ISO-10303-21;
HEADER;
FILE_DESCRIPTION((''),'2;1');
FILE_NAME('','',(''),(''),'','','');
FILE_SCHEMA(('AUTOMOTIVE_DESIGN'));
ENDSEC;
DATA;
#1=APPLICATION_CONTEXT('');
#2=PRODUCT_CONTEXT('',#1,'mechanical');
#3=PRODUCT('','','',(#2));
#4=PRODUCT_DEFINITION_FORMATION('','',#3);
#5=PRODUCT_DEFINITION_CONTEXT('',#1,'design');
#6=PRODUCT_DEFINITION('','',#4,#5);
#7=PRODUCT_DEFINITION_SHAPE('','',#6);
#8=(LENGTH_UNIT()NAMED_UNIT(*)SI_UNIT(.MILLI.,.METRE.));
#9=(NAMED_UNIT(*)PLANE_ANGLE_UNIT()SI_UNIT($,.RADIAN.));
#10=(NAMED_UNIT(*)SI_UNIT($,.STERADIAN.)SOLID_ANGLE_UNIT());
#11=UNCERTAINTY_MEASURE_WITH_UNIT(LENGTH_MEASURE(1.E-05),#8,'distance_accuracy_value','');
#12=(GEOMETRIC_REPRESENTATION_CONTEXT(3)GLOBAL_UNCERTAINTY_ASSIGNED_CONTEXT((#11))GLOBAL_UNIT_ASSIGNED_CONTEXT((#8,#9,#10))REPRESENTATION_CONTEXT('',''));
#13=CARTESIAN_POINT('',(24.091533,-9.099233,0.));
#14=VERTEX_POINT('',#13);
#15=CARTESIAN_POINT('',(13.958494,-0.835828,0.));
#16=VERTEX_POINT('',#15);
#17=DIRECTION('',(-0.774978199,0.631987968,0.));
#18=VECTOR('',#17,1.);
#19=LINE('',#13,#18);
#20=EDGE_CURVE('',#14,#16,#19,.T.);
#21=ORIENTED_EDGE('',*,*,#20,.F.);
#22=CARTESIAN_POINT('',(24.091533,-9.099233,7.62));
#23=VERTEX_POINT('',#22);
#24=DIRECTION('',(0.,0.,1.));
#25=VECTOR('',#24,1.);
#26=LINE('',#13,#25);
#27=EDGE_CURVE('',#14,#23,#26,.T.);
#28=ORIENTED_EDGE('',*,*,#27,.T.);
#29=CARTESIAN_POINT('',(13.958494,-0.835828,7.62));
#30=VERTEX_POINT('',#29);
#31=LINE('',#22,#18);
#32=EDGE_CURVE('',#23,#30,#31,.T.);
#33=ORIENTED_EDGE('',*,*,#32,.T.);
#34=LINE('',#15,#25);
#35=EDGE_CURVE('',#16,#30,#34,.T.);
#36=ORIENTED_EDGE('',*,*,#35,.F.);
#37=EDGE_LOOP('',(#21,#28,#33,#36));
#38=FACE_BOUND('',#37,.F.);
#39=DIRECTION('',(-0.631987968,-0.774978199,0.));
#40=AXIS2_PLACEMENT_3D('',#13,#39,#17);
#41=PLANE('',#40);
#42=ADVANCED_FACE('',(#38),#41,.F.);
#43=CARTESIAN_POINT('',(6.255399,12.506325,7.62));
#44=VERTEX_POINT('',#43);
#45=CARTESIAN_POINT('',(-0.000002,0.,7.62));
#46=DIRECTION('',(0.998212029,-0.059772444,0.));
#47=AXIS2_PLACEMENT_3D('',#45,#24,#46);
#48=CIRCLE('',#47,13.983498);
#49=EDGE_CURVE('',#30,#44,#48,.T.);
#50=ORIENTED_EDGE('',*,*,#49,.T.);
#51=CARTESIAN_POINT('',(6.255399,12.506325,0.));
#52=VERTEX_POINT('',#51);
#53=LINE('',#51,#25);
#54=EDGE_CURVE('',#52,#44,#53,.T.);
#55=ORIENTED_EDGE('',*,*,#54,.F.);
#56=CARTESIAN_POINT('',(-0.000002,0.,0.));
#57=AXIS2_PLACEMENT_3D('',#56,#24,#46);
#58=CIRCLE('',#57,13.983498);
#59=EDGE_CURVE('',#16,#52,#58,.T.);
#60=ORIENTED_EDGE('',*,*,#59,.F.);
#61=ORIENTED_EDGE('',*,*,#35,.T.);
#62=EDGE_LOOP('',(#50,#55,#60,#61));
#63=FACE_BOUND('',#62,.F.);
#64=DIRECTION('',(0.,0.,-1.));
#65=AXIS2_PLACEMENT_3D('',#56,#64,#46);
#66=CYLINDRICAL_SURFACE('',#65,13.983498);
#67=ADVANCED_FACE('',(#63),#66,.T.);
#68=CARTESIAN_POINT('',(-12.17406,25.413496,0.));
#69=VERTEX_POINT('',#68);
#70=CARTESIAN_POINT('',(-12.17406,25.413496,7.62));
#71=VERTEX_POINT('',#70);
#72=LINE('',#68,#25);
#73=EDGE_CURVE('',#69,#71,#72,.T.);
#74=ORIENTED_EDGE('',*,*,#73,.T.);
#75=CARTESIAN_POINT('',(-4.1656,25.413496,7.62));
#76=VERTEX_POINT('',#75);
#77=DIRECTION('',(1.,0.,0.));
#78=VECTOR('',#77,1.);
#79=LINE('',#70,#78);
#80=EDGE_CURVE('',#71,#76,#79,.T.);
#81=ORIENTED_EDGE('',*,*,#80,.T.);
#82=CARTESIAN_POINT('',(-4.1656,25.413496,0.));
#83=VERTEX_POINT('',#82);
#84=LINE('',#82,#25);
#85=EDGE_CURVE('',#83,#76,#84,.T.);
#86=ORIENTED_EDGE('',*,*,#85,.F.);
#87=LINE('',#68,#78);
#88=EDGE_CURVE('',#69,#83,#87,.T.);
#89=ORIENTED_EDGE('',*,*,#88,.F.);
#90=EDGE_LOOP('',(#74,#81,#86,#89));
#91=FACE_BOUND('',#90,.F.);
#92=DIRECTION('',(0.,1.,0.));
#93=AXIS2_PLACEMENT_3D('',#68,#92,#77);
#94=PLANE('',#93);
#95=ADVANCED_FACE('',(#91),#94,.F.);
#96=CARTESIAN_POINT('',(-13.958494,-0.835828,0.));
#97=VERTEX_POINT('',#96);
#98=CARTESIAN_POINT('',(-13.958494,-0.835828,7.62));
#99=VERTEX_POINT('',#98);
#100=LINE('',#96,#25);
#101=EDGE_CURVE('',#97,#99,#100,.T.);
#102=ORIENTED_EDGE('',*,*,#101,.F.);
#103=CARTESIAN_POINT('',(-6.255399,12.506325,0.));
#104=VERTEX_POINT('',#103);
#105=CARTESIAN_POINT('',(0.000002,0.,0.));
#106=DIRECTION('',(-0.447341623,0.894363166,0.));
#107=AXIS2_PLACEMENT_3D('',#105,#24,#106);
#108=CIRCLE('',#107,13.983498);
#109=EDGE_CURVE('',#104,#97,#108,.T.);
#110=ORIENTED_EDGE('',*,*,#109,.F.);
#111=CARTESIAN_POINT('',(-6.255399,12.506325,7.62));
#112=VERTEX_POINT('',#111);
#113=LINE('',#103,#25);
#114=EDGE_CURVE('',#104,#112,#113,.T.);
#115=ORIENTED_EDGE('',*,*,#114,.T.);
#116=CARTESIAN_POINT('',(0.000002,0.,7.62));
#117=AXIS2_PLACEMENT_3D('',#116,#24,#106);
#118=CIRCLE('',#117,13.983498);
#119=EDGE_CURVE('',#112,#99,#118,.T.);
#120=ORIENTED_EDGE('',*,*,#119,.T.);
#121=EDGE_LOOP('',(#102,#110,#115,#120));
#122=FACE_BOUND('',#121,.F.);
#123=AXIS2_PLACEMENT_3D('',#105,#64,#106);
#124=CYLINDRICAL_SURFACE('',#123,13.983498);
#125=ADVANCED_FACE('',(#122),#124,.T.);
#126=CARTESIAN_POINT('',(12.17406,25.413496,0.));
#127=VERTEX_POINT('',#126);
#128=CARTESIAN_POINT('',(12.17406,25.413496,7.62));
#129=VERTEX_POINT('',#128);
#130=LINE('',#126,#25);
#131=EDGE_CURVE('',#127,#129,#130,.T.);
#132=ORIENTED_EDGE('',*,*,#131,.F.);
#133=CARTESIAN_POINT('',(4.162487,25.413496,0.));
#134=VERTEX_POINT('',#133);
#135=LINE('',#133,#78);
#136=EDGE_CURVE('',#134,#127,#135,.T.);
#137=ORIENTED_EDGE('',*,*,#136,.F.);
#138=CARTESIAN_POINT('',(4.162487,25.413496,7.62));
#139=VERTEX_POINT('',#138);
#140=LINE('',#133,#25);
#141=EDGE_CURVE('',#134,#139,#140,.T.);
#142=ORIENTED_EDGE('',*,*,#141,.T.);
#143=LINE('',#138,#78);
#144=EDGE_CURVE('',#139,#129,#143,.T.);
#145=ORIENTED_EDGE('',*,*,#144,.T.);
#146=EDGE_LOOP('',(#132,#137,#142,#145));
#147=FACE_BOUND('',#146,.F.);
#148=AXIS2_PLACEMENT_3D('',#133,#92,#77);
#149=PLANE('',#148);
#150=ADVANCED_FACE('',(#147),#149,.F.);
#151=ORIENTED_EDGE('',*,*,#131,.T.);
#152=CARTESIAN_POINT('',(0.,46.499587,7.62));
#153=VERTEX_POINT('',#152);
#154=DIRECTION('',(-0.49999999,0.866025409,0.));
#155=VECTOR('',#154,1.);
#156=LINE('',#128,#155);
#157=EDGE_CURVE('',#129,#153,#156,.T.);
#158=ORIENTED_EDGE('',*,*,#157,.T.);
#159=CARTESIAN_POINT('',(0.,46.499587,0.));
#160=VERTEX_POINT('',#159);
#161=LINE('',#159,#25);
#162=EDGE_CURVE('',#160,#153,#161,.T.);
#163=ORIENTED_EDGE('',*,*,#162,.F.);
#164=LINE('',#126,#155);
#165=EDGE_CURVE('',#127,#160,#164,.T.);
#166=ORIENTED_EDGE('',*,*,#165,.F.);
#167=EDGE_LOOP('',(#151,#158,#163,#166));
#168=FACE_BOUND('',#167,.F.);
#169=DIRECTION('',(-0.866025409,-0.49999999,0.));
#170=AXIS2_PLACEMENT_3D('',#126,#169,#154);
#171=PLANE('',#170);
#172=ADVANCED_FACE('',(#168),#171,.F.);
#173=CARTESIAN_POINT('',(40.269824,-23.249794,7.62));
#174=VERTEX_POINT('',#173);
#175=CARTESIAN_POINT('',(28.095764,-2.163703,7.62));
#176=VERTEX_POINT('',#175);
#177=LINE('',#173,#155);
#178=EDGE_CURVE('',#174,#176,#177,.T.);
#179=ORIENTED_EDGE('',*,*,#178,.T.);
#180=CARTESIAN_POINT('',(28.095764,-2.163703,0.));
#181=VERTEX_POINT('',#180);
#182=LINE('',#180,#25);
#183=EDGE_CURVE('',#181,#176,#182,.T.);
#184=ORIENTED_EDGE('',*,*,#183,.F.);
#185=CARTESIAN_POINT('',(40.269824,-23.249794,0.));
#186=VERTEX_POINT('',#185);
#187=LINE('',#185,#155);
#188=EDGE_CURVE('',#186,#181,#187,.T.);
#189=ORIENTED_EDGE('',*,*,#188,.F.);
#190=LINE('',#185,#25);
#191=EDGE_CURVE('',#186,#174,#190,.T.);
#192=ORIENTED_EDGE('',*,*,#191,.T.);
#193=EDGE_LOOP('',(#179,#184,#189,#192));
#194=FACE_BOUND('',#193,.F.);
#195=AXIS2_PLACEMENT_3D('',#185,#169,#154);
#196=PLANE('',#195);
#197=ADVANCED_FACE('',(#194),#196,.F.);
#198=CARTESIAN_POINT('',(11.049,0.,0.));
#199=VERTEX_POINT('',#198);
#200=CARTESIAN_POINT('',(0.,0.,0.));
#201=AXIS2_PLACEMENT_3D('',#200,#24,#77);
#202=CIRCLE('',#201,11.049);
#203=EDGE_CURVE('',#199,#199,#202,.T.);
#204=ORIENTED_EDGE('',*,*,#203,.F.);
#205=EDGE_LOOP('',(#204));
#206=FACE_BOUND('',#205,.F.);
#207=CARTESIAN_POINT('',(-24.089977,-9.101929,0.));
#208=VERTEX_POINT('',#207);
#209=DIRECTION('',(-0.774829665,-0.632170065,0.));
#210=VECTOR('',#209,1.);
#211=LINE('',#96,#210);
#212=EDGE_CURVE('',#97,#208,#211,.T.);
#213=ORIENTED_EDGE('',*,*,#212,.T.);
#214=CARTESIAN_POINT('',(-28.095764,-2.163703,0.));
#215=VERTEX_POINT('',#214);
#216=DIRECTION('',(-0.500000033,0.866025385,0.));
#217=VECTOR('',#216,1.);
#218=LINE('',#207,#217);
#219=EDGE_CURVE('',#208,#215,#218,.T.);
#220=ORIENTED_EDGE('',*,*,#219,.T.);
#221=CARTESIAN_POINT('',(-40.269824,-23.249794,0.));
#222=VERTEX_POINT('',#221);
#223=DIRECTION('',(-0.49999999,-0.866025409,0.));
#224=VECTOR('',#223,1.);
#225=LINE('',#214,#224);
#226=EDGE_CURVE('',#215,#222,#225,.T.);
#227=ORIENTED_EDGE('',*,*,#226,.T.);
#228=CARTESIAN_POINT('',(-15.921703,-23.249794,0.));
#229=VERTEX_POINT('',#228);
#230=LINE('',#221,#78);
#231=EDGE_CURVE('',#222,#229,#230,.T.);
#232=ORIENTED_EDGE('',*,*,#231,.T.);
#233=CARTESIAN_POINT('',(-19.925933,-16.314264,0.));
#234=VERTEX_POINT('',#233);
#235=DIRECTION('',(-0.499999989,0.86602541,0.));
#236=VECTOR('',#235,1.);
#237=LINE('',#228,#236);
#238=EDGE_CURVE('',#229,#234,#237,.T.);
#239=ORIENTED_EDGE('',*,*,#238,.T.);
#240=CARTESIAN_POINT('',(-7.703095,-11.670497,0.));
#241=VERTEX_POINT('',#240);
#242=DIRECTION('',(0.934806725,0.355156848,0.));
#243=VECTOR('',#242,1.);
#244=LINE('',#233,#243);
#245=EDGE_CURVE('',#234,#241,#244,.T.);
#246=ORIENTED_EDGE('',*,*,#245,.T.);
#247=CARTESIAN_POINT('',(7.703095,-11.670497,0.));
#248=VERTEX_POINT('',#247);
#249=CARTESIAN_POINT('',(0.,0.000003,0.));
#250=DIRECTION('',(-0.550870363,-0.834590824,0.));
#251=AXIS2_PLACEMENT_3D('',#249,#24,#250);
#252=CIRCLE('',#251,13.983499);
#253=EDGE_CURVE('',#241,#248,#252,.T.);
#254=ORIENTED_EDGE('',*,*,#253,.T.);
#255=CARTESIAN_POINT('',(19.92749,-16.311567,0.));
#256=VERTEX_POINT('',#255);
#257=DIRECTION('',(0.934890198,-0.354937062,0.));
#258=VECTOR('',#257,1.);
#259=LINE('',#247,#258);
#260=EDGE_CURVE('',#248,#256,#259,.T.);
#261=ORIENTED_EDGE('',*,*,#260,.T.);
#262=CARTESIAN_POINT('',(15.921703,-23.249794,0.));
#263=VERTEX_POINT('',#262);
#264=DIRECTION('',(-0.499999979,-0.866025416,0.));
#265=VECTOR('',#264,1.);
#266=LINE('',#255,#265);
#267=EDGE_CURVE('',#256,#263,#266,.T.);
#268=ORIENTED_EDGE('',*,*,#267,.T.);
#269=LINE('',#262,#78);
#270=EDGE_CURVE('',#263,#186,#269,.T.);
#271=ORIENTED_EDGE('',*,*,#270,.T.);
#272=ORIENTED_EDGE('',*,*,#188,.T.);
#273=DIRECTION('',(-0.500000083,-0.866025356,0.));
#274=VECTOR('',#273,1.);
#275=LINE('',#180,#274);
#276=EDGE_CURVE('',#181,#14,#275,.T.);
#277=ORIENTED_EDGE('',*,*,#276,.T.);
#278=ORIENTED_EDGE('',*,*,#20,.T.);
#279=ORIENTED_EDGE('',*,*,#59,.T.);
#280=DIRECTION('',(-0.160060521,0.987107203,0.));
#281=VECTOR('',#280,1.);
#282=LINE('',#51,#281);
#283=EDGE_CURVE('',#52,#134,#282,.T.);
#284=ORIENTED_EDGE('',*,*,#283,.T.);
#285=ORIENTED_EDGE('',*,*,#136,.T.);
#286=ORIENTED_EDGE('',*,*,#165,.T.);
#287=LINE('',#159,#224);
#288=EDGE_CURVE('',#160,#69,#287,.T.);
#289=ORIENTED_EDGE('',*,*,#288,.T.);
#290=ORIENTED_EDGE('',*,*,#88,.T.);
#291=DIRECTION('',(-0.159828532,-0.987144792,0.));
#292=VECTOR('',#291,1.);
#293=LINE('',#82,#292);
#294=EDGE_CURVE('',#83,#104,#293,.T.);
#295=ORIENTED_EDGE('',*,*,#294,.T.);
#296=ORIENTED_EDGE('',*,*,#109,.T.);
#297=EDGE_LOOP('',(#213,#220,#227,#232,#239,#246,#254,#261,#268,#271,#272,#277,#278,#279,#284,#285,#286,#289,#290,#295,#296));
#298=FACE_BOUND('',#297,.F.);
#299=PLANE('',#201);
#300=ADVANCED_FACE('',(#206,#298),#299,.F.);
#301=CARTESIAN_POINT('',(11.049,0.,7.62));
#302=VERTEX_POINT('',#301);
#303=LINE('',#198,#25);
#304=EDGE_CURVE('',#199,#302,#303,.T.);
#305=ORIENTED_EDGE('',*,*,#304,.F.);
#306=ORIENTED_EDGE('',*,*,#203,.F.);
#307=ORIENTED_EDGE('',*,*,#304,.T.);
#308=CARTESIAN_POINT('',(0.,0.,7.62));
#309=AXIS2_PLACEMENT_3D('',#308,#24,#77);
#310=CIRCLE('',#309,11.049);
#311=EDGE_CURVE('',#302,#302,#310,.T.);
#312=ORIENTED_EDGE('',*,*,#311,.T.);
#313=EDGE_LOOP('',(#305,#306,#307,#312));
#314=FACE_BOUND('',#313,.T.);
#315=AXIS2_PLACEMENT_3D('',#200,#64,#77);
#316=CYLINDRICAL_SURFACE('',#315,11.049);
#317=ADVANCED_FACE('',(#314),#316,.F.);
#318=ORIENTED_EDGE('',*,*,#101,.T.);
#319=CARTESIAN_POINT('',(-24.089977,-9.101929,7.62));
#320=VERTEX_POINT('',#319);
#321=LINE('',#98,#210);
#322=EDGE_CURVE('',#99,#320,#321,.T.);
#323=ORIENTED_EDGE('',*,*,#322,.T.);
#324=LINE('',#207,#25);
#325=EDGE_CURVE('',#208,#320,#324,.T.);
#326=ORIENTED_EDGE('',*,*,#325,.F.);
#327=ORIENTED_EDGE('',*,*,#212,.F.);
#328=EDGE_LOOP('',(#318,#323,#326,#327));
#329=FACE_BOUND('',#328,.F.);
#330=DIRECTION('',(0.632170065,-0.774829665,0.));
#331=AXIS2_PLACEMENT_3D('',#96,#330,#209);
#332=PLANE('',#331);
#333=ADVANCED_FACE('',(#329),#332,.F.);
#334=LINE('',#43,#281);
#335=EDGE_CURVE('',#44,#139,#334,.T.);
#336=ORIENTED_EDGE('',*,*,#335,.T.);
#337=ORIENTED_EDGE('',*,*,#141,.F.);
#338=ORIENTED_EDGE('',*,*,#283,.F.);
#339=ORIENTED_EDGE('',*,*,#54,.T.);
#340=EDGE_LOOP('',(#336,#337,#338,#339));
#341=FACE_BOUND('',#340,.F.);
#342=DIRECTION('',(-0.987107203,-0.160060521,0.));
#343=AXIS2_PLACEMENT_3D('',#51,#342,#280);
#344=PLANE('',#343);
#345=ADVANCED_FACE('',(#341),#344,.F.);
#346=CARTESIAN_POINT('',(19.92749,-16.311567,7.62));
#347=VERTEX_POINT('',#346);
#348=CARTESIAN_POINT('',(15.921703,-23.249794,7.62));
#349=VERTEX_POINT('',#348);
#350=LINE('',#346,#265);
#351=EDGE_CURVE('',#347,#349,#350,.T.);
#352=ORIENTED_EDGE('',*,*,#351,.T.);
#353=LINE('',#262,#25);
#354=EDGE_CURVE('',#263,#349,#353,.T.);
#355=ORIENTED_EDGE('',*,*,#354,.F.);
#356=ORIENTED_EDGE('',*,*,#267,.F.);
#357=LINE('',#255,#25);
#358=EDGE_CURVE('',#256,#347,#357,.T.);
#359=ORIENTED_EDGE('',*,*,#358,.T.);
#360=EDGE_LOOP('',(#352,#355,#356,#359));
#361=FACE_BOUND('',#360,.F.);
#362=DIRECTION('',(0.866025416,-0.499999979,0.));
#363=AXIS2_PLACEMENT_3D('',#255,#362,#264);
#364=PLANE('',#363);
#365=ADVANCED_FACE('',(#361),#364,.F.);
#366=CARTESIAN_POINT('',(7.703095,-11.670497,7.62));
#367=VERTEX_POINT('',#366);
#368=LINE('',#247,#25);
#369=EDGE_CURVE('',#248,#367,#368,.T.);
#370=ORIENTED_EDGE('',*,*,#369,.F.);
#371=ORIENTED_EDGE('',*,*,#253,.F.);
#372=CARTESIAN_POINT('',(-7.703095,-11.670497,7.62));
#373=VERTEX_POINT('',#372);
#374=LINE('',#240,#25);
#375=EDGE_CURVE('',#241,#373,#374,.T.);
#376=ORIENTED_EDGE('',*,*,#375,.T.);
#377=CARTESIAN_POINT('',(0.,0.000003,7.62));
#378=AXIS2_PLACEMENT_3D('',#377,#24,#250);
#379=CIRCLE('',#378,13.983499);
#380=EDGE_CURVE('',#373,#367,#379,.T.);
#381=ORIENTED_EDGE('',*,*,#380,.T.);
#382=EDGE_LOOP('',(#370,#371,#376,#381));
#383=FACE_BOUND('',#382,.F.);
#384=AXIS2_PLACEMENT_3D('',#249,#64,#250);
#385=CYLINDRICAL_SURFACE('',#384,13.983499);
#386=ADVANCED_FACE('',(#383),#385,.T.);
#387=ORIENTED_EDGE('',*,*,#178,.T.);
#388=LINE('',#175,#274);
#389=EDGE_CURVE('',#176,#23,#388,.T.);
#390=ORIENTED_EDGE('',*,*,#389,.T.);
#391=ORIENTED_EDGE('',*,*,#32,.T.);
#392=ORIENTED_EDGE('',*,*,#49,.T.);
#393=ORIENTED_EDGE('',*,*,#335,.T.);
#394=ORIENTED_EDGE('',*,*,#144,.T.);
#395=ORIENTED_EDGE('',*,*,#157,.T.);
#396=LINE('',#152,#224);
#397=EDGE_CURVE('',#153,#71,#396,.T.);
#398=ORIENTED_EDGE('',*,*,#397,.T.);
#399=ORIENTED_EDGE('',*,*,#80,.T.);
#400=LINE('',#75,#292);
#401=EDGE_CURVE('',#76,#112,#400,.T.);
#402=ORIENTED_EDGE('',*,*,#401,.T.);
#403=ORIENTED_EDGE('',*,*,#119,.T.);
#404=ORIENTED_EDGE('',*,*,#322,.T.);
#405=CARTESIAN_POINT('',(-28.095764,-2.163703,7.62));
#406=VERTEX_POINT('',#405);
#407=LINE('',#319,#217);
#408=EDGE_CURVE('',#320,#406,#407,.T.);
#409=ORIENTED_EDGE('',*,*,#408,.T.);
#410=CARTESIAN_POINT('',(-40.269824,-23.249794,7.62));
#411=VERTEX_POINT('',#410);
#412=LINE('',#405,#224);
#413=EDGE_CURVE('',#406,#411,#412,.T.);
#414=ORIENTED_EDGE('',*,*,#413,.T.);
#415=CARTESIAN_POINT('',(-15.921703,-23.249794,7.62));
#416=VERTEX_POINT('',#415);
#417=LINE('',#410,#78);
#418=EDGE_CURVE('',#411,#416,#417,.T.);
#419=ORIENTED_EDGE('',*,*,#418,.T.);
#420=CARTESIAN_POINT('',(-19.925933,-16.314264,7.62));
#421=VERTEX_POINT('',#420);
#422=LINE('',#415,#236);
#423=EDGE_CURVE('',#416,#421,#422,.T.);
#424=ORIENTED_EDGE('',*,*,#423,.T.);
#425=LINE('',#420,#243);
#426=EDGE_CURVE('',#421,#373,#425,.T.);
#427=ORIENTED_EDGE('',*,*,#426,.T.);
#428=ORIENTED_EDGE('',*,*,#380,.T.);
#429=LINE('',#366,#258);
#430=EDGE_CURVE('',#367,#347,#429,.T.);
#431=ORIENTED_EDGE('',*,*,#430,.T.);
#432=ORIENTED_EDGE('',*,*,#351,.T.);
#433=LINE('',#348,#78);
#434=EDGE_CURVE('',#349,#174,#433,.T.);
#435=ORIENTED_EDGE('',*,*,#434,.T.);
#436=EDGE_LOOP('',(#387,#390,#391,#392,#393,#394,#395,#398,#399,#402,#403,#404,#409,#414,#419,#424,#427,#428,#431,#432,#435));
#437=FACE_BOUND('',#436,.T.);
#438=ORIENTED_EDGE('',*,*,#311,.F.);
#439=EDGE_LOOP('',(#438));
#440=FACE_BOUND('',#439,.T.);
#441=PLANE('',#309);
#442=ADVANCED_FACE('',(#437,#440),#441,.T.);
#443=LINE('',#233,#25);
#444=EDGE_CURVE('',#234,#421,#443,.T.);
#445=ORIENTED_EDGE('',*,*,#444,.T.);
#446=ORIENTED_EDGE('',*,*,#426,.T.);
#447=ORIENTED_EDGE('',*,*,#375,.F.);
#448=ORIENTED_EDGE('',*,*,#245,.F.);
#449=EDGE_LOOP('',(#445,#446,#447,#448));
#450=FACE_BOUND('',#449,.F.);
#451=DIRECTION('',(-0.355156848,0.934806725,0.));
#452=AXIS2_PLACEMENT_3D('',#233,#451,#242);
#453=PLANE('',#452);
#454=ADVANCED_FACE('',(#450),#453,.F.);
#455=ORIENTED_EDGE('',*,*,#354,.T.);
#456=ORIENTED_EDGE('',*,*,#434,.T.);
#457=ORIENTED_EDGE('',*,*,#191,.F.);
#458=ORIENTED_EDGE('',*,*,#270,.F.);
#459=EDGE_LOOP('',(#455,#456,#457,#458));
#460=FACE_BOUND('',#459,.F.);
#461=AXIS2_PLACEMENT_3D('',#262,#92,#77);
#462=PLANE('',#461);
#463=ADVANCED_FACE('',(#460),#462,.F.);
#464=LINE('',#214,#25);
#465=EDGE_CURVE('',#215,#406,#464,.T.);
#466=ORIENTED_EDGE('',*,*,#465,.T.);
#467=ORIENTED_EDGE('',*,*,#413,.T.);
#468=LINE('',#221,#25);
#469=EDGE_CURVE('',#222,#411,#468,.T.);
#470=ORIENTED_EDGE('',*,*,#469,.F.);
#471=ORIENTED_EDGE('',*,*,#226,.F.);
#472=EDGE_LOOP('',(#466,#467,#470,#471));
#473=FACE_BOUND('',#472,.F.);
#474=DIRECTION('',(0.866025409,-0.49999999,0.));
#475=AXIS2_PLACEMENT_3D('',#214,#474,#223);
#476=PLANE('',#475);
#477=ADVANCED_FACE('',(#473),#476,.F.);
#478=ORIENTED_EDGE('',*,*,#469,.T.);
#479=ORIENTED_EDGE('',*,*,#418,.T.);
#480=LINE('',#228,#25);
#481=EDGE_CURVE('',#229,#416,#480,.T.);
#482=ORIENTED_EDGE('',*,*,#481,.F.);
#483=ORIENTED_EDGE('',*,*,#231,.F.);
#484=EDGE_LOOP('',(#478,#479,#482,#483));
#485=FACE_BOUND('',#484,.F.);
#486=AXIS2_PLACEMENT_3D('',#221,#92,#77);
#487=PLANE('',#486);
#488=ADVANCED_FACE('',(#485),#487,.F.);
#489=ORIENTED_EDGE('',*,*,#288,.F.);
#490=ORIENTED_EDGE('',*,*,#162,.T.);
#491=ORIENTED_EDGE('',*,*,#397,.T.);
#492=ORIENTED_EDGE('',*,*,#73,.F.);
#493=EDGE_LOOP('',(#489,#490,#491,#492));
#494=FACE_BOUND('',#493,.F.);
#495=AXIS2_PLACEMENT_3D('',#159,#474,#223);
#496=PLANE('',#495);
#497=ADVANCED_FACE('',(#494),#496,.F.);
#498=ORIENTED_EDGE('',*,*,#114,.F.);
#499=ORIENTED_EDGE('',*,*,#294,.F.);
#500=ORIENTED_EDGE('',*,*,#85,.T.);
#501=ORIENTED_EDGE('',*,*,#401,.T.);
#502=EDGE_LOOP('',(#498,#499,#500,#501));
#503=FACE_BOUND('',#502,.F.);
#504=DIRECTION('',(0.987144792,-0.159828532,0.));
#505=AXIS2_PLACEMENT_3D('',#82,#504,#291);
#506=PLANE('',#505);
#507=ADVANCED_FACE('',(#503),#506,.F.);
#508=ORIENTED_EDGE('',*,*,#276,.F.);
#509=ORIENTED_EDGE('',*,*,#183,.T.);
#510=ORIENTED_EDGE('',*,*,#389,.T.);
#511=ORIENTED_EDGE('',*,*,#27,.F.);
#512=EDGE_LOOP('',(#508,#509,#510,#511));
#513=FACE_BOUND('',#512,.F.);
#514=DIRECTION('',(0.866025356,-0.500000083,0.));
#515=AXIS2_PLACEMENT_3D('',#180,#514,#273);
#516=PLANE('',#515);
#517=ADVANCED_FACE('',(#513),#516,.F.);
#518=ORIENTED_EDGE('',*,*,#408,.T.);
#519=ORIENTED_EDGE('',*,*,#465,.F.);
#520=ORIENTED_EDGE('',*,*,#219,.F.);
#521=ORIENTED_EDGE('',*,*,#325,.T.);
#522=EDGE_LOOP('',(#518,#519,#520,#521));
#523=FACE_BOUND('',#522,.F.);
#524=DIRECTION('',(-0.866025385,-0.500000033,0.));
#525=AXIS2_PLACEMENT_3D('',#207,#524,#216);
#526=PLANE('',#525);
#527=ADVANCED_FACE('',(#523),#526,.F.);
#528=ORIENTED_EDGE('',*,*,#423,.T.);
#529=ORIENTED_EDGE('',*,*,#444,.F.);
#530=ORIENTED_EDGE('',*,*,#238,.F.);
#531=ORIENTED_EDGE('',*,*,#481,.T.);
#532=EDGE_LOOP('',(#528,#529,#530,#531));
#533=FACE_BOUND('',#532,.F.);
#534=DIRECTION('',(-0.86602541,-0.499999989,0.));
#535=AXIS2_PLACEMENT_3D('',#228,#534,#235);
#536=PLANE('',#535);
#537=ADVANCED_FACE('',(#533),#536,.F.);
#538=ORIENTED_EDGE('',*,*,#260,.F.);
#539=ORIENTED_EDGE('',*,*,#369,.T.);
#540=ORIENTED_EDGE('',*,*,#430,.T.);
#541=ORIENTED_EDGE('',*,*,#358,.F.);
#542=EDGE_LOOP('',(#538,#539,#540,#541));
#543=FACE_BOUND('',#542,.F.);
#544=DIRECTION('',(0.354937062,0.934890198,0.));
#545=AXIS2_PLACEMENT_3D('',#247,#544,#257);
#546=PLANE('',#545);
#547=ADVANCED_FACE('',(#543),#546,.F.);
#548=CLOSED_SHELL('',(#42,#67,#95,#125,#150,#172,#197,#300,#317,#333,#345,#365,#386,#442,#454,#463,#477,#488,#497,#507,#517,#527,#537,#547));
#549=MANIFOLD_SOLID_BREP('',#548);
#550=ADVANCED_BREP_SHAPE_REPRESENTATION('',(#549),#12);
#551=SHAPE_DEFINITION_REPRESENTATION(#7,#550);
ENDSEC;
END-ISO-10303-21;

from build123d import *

# Parameters (mm, degrees)
F0_R     = 11.049
F1_DEPTH = 7.62


with BuildPart() as f1:
    # F0 (on Top) → F1 (new body)
    with BuildSketch(Plane.XY):
        with BuildLine():
            Line((-4.1656, 25.413496), (-6.255399, 12.506325))
            ThreePointArc((-6.255399, 12.506325), (-12.110063, 6.991748), (-13.958494, -0.835828))
            Line((-13.958494, -0.835828), (-24.089977, -9.101929))
            Line((-24.089977, -9.101929), (-28.095764, -2.163703))
            Line((-28.095764, -2.163703), (-40.269824, -23.249794))
            Line((-40.269824, -23.249794), (-15.921703, -23.249794))
            Line((-15.921703, -23.249794), (-19.925933, -16.314264))
            Line((-19.925933, -16.314264), (-7.703095, -11.670497))
            ThreePointArc((-7.703095, -11.670497), (0, -13.983496), (7.703095, -11.670497))
            Line((7.703095, -11.670497), (19.92749, -16.311567))
            Line((19.92749, -16.311567), (15.921703, -23.249794))
            Line((15.921703, -23.249794), (40.269824, -23.249794))
            Line((40.269824, -23.249794), (28.095764, -2.163703))
            Line((28.095764, -2.163703), (24.091533, -9.099233))
            Line((24.091533, -9.099233), (13.958494, -0.835828))
            ThreePointArc((13.958494, -0.835828), (12.110063, 6.991748), (6.255399, 12.506325))
            Line((6.255399, 12.506325), (4.162487, 25.413496))
            Line((4.162487, 25.413496), (12.17406, 25.413496))
            Line((12.17406, 25.413496), (0, 46.499587))
            Line((0, 46.499587), (-12.17406, 25.413496))
            Line((-12.17406, 25.413496), (-4.1656, 25.413496))
        make_face()
        Circle(F0_R, mode=Mode.SUBTRACT)
    extrude(amount=F1_DEPTH)


solid = f1.part
